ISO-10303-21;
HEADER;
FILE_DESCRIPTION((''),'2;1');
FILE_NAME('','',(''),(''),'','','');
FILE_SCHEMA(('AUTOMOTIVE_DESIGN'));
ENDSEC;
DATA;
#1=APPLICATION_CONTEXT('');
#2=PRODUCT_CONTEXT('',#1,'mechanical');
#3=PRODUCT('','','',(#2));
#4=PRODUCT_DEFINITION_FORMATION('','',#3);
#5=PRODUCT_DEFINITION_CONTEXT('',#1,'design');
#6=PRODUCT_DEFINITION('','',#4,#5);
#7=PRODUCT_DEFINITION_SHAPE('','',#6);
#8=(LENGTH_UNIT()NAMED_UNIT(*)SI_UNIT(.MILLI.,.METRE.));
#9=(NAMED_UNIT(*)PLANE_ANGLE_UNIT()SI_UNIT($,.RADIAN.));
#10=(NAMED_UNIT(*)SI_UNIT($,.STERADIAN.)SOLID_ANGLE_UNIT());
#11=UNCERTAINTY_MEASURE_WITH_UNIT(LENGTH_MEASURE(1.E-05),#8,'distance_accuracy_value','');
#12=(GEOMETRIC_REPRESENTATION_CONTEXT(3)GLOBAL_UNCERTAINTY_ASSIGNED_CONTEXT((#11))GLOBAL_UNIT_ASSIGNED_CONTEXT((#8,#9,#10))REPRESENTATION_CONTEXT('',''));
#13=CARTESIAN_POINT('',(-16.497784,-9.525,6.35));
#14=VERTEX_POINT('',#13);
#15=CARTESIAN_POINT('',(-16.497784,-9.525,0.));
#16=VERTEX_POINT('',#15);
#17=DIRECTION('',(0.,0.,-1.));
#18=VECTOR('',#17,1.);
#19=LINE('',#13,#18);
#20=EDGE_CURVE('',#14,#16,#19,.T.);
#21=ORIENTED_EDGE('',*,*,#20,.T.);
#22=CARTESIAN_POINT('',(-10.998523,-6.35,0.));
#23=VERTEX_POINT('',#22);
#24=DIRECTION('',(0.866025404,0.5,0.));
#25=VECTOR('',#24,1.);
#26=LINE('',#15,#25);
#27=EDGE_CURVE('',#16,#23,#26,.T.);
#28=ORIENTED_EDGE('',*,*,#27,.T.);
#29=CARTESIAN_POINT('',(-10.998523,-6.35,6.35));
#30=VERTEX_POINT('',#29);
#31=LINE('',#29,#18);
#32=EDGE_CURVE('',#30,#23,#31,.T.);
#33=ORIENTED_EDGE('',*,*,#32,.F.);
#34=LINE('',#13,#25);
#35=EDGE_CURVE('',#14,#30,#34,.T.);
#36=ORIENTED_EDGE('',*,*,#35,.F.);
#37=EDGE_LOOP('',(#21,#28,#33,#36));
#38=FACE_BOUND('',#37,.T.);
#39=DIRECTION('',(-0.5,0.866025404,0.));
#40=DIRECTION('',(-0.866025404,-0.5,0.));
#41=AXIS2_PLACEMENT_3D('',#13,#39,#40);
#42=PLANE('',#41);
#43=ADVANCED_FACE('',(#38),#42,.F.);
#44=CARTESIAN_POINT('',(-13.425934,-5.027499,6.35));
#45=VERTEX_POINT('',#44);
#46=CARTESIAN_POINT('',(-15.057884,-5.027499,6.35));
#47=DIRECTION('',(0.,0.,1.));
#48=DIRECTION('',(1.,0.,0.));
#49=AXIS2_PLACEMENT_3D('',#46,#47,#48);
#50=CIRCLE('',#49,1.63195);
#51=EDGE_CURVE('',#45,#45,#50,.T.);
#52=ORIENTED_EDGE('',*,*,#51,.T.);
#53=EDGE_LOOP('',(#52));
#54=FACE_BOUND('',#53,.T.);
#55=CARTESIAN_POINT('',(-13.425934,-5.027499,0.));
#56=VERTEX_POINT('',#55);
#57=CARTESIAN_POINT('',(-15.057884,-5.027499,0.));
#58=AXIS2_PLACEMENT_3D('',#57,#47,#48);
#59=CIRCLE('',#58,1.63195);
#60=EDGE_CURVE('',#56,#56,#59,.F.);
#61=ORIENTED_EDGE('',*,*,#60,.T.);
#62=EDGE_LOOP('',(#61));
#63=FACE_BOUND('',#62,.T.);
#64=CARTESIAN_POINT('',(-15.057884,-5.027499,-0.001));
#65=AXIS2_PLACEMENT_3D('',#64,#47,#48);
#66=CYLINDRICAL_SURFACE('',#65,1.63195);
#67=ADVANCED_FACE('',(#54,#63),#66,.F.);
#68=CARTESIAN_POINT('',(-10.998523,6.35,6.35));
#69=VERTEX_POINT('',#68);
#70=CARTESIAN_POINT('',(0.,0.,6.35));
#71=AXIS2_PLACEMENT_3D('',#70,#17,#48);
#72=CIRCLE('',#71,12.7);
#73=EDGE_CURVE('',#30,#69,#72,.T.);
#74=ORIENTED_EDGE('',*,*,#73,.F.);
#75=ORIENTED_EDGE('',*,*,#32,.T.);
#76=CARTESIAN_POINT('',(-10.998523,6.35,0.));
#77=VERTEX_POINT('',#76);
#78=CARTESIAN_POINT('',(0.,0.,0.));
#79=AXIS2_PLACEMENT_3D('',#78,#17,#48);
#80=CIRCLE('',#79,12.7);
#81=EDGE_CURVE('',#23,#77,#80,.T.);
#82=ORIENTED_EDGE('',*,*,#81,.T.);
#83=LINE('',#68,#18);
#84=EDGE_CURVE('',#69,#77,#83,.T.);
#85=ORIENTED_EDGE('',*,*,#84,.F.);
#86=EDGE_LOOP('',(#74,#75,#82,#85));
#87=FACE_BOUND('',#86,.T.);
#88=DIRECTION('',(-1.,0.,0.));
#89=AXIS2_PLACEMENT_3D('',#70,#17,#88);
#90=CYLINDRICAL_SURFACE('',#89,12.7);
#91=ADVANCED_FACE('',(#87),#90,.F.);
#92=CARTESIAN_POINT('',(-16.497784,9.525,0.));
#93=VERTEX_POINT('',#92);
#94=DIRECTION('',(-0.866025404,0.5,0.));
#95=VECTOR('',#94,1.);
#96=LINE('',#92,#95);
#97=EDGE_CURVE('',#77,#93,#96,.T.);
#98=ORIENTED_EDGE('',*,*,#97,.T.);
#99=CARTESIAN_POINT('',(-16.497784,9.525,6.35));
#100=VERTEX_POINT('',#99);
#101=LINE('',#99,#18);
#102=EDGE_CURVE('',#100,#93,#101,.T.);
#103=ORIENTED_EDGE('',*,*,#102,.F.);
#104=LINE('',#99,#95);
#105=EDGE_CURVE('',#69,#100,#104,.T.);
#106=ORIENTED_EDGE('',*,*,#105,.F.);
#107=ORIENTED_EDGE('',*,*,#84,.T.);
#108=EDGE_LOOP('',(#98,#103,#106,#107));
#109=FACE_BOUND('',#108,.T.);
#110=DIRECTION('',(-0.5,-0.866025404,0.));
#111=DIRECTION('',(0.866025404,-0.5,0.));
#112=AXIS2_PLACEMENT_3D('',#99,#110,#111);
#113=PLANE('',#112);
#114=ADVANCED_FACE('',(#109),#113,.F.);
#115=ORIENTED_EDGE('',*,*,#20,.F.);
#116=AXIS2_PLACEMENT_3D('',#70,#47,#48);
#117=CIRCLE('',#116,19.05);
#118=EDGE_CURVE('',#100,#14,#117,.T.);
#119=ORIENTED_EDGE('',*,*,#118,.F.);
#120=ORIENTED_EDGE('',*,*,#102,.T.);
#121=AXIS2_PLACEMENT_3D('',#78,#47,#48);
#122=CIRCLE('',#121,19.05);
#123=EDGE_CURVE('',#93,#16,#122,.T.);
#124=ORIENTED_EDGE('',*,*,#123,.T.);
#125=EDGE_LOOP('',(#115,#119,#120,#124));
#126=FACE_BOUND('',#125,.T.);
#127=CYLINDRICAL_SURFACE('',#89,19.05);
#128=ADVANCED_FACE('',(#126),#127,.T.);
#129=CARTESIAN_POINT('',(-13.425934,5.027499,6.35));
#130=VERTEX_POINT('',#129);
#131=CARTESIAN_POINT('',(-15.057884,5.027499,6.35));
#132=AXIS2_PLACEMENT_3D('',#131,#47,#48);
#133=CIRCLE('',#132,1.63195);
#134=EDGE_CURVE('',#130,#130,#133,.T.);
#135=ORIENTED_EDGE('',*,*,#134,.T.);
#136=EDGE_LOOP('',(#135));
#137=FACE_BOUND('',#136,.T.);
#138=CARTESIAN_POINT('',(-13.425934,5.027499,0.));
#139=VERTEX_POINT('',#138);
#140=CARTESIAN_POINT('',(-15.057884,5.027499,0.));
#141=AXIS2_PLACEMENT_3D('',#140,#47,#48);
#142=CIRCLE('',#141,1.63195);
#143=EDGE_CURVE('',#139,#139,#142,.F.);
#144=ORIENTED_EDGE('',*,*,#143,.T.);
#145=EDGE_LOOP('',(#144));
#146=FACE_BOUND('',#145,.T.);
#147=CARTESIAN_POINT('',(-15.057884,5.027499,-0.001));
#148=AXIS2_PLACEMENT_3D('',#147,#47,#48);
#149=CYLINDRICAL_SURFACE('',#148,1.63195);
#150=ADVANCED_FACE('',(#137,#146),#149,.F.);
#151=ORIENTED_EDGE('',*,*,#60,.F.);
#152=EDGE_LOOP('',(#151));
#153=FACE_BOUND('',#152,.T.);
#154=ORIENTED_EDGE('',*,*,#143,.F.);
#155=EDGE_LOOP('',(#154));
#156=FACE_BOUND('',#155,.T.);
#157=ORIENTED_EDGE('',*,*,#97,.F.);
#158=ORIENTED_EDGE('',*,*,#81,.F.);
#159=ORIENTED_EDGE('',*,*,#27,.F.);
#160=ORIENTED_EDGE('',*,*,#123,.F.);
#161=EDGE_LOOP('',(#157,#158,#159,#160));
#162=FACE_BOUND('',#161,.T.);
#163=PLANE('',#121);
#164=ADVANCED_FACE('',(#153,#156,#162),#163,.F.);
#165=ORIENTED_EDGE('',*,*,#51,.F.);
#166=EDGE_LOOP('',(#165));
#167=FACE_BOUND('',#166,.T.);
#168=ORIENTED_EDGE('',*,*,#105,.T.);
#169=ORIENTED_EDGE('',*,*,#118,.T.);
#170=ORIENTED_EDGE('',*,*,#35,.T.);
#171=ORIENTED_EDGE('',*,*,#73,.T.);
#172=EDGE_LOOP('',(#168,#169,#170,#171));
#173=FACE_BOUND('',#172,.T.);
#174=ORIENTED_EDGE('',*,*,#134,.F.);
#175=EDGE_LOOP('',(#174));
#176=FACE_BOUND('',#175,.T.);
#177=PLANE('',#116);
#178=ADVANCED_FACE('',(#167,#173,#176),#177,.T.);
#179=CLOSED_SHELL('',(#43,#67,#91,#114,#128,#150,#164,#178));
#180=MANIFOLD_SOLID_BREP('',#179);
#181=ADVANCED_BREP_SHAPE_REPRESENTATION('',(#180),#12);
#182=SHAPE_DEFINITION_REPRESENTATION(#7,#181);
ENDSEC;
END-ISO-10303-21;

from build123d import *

# Parameters (mm, degrees)
BOSS_EXTRUDE1_DEPTH = 6.35
CUT_EXTRUDE1_REACH  = 8.35
SKETCH2_R           = 1.63195


with BuildPart() as part:
    # Sketch1 → Boss-Extrude1 (new body)
    with BuildSketch(Plane(origin=(0, 0, 0), x_dir=(0, 1, 0), z_dir=(0, 0, 1))):
        with BuildLine():
            Line((-9.525, 16.497783942), (-6.35, 10.998522628))
            ThreePointArc((-6.35, 10.998522628), (0, 12.7), (6.35, 10.998522628))
            Line((6.35, 10.998522628), (9.525, 16.497783942))
            ThreePointArc((9.525, 16.497783942), (0, 19.05), (-9.525, 16.497783942))
        make_face()
    extrude(amount=BOSS_EXTRUDE1_DEPTH)

    # Sketch2 → Cut-Extrude1 (cut, up to next)
    with BuildSketch(Plane.XY.offset(6.35), mode=Mode.PRIVATE) as cut_extrude1_sk1:
        with Locations((-15.057884182, 5.027499276)):
            Circle(SKETCH2_R)
    cut_extrude1_tool1 = extrude(cut_extrude1_sk1.sketch, amount=-CUT_EXTRUDE1_REACH, mode=Mode.PRIVATE) & part.part
    add(cut_extrude1_tool1.solids().sort_by_distance((-15.057884, 5.027499, 6.35))[0], mode=Mode.SUBTRACT)
    # Sketch2 → Cut-Extrude1 (cut, up to next)
    with BuildSketch(Plane.XY.offset(6.35), mode=Mode.PRIVATE) as cut_extrude1_sk2:
        with Locations((-15.057884182, -5.027499276)):
            Circle(SKETCH2_R)
    cut_extrude1_tool2 = extrude(cut_extrude1_sk2.sketch, amount=-CUT_EXTRUDE1_REACH, mode=Mode.PRIVATE) & part.part
    add(cut_extrude1_tool2.solids().sort_by_distance((-15.057884, -5.027499, 6.35))[0], mode=Mode.SUBTRACT)


solid = part.part
